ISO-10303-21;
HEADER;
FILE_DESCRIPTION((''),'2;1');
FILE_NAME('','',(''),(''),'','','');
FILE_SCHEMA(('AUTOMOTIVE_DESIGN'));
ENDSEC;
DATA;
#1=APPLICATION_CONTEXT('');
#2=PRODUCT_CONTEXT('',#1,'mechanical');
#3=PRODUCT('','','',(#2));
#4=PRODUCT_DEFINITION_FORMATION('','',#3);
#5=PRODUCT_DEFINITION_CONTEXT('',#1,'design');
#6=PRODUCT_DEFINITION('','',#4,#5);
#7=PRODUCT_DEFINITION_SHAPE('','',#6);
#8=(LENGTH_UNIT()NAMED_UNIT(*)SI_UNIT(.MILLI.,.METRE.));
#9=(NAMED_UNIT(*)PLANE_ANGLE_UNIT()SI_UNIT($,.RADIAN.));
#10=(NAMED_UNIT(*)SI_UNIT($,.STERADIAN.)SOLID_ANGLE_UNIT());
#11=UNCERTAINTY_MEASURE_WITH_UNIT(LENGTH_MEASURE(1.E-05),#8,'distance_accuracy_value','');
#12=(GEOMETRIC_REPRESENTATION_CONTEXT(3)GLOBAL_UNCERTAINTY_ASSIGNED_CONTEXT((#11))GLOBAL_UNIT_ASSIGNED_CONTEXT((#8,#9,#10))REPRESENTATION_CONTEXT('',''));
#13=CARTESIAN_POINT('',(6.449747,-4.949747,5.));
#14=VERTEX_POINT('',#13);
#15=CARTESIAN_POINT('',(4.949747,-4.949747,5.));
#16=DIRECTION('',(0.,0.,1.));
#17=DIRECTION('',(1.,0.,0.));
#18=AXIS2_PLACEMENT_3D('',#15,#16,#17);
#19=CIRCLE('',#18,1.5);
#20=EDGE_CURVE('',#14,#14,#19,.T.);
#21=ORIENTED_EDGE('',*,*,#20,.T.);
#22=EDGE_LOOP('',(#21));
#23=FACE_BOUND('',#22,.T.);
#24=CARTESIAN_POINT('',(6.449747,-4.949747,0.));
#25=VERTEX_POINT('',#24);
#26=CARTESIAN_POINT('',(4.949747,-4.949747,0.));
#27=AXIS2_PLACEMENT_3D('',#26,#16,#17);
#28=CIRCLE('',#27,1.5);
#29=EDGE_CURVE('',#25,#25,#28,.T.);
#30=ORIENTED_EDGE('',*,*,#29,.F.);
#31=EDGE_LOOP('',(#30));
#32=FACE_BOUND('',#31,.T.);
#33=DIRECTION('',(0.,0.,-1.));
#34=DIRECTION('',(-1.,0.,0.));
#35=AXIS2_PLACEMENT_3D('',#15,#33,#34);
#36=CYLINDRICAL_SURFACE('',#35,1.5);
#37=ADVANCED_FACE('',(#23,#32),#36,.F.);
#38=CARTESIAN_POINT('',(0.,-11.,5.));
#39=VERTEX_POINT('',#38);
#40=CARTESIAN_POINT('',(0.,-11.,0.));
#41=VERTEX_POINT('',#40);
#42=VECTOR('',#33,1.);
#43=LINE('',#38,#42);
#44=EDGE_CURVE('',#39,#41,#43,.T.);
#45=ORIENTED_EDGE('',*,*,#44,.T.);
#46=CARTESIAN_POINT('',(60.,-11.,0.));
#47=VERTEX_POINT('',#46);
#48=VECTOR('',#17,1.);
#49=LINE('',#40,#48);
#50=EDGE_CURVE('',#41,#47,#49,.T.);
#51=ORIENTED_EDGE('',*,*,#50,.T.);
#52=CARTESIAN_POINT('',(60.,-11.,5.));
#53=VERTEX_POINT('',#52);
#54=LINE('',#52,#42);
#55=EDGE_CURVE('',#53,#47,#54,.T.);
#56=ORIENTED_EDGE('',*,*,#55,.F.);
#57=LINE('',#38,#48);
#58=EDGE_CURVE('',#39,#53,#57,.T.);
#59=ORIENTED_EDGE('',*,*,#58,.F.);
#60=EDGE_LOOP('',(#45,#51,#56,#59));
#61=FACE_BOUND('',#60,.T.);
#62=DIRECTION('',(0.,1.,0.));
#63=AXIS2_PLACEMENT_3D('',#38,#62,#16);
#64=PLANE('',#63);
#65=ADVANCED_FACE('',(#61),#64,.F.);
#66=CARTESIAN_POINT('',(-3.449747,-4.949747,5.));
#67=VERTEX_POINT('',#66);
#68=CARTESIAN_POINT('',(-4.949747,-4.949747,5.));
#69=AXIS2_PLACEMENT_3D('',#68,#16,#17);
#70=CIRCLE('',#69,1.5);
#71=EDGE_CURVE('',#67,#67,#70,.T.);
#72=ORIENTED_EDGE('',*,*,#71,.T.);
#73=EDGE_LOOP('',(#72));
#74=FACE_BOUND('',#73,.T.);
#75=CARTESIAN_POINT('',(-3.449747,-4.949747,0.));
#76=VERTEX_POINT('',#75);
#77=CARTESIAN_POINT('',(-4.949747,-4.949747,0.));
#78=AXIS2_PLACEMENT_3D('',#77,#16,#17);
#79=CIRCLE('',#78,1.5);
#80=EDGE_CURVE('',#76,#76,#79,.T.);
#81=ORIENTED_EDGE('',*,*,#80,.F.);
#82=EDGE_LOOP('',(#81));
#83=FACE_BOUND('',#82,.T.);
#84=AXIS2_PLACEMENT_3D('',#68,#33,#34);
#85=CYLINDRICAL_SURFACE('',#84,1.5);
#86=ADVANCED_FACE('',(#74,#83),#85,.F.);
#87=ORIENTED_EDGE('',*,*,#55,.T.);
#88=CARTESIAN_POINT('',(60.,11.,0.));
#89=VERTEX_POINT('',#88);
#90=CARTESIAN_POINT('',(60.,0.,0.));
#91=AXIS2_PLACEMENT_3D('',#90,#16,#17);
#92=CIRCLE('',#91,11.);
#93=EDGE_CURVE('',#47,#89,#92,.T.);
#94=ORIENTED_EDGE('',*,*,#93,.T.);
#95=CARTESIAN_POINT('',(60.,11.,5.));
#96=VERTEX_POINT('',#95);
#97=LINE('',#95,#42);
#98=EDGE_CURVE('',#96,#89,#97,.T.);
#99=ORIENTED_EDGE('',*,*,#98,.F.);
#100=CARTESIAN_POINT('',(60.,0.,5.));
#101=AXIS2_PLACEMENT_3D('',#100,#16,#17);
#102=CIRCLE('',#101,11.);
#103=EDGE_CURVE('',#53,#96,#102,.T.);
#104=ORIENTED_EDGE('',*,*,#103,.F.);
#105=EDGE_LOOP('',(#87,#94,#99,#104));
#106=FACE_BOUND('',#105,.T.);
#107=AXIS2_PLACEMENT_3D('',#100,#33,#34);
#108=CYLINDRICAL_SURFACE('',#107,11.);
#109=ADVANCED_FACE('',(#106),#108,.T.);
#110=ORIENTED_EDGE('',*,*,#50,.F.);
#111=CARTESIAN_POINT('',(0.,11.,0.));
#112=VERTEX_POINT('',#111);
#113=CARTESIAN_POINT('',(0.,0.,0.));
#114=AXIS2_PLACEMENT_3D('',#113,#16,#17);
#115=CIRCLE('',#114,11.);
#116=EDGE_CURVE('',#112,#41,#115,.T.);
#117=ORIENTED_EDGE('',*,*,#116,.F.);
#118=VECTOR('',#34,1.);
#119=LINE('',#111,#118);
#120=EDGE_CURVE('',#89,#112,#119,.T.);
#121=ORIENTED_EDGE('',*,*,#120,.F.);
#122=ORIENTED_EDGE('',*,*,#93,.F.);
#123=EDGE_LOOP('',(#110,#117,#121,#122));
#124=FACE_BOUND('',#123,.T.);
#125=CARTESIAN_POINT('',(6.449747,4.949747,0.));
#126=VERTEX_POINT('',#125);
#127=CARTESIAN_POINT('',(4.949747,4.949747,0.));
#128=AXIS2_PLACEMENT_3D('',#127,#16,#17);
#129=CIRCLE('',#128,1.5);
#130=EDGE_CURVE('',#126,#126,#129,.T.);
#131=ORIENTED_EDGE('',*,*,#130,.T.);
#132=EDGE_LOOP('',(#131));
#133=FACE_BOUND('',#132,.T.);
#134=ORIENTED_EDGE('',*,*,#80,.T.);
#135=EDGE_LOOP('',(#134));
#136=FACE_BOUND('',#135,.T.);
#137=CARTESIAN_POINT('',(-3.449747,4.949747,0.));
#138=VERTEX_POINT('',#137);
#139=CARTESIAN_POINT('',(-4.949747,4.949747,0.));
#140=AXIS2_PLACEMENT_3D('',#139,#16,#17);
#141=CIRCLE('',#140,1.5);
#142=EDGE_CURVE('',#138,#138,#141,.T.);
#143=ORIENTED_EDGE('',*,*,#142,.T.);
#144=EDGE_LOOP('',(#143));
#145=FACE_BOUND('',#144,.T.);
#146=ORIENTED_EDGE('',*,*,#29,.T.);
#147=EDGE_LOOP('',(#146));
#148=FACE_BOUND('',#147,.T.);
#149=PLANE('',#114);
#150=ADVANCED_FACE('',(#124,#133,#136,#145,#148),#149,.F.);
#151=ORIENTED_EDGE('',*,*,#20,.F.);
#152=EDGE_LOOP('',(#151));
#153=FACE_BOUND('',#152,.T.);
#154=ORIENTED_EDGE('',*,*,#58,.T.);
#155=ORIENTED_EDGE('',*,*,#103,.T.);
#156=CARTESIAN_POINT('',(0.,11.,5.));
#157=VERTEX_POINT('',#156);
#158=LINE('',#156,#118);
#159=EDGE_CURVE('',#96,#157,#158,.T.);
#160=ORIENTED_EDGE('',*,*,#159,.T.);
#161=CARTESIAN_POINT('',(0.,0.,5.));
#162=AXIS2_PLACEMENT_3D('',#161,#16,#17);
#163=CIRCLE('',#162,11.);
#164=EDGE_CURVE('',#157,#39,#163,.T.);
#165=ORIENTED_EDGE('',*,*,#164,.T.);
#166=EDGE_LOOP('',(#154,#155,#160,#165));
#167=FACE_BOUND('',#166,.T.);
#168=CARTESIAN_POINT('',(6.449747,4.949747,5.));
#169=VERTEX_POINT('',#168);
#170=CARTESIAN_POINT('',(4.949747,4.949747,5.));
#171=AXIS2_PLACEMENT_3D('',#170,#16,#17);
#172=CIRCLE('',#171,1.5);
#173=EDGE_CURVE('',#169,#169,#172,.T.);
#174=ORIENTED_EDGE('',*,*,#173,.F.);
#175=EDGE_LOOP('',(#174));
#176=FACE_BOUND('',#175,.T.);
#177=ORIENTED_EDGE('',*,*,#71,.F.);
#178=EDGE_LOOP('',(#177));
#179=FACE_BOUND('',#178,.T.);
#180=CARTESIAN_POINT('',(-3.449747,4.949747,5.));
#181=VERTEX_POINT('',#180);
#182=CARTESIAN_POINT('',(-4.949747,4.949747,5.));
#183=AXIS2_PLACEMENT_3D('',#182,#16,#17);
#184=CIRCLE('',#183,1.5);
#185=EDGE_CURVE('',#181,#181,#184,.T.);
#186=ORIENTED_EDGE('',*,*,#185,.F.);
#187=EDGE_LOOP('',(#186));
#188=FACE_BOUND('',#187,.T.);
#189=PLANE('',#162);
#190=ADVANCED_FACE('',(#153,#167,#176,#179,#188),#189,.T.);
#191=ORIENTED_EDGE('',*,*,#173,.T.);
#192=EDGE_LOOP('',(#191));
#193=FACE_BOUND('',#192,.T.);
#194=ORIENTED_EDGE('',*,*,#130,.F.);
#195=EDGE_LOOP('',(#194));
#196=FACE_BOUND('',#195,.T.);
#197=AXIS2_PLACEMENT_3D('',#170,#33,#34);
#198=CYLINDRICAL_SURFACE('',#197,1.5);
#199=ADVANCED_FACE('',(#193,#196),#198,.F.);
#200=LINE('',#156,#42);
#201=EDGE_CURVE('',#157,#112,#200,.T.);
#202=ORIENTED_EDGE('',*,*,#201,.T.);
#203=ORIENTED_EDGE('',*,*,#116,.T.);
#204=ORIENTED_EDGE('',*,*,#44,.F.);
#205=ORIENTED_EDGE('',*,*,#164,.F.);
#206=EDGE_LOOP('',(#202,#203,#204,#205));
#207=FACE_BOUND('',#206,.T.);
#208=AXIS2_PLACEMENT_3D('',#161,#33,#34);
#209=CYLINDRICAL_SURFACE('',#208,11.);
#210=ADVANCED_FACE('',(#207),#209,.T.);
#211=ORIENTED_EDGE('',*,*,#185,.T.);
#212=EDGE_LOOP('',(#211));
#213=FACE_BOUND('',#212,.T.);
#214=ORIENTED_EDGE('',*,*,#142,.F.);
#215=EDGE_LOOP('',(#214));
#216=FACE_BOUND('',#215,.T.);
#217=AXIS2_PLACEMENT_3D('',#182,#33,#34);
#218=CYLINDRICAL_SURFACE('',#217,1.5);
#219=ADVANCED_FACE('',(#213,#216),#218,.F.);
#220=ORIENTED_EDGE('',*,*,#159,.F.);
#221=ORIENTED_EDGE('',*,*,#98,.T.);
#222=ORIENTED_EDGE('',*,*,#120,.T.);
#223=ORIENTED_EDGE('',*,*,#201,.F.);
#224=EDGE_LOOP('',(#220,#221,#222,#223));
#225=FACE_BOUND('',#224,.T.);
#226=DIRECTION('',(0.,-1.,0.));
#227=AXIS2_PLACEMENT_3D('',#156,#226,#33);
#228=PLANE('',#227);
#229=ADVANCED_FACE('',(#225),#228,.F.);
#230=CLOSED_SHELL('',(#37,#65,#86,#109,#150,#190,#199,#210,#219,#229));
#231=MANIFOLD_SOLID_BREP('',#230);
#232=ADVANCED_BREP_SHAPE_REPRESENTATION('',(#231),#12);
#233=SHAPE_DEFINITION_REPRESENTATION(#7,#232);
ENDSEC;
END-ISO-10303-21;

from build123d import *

# Parameters (mm, degrees)
SKETCH1_R           = 1.5
BOSS_EXTRUDE2_DEPTH = 5


with BuildPart() as part:
    # Sketch1 → Boss-Extrude2 (new body)
    with BuildSketch(Plane.XY):
        with BuildLine():
            Line((0, 11), (60, 11))
            ThreePointArc((60, 11), (71, 0), (60, -11))
            Line((60, -11), (0, -11))
            ThreePointArc((0, -11), (-11, 0), (0, 11))
        make_face()
        with Locations((-4.949747468, 4.949747468)):
            Circle(SKETCH1_R, mode=Mode.SUBTRACT)
        with Locations((4.949747468, 4.949747468)):
            Circle(SKETCH1_R, mode=Mode.SUBTRACT)
        with Locations((4.949747468, -4.949747468)):
            Circle(SKETCH1_R, mode=Mode.SUBTRACT)
        with Locations((-4.949747468, -4.949747468)):
            Circle(SKETCH1_R, mode=Mode.SUBTRACT)
    extrude(amount=BOSS_EXTRUDE2_DEPTH)


solid = part.part
